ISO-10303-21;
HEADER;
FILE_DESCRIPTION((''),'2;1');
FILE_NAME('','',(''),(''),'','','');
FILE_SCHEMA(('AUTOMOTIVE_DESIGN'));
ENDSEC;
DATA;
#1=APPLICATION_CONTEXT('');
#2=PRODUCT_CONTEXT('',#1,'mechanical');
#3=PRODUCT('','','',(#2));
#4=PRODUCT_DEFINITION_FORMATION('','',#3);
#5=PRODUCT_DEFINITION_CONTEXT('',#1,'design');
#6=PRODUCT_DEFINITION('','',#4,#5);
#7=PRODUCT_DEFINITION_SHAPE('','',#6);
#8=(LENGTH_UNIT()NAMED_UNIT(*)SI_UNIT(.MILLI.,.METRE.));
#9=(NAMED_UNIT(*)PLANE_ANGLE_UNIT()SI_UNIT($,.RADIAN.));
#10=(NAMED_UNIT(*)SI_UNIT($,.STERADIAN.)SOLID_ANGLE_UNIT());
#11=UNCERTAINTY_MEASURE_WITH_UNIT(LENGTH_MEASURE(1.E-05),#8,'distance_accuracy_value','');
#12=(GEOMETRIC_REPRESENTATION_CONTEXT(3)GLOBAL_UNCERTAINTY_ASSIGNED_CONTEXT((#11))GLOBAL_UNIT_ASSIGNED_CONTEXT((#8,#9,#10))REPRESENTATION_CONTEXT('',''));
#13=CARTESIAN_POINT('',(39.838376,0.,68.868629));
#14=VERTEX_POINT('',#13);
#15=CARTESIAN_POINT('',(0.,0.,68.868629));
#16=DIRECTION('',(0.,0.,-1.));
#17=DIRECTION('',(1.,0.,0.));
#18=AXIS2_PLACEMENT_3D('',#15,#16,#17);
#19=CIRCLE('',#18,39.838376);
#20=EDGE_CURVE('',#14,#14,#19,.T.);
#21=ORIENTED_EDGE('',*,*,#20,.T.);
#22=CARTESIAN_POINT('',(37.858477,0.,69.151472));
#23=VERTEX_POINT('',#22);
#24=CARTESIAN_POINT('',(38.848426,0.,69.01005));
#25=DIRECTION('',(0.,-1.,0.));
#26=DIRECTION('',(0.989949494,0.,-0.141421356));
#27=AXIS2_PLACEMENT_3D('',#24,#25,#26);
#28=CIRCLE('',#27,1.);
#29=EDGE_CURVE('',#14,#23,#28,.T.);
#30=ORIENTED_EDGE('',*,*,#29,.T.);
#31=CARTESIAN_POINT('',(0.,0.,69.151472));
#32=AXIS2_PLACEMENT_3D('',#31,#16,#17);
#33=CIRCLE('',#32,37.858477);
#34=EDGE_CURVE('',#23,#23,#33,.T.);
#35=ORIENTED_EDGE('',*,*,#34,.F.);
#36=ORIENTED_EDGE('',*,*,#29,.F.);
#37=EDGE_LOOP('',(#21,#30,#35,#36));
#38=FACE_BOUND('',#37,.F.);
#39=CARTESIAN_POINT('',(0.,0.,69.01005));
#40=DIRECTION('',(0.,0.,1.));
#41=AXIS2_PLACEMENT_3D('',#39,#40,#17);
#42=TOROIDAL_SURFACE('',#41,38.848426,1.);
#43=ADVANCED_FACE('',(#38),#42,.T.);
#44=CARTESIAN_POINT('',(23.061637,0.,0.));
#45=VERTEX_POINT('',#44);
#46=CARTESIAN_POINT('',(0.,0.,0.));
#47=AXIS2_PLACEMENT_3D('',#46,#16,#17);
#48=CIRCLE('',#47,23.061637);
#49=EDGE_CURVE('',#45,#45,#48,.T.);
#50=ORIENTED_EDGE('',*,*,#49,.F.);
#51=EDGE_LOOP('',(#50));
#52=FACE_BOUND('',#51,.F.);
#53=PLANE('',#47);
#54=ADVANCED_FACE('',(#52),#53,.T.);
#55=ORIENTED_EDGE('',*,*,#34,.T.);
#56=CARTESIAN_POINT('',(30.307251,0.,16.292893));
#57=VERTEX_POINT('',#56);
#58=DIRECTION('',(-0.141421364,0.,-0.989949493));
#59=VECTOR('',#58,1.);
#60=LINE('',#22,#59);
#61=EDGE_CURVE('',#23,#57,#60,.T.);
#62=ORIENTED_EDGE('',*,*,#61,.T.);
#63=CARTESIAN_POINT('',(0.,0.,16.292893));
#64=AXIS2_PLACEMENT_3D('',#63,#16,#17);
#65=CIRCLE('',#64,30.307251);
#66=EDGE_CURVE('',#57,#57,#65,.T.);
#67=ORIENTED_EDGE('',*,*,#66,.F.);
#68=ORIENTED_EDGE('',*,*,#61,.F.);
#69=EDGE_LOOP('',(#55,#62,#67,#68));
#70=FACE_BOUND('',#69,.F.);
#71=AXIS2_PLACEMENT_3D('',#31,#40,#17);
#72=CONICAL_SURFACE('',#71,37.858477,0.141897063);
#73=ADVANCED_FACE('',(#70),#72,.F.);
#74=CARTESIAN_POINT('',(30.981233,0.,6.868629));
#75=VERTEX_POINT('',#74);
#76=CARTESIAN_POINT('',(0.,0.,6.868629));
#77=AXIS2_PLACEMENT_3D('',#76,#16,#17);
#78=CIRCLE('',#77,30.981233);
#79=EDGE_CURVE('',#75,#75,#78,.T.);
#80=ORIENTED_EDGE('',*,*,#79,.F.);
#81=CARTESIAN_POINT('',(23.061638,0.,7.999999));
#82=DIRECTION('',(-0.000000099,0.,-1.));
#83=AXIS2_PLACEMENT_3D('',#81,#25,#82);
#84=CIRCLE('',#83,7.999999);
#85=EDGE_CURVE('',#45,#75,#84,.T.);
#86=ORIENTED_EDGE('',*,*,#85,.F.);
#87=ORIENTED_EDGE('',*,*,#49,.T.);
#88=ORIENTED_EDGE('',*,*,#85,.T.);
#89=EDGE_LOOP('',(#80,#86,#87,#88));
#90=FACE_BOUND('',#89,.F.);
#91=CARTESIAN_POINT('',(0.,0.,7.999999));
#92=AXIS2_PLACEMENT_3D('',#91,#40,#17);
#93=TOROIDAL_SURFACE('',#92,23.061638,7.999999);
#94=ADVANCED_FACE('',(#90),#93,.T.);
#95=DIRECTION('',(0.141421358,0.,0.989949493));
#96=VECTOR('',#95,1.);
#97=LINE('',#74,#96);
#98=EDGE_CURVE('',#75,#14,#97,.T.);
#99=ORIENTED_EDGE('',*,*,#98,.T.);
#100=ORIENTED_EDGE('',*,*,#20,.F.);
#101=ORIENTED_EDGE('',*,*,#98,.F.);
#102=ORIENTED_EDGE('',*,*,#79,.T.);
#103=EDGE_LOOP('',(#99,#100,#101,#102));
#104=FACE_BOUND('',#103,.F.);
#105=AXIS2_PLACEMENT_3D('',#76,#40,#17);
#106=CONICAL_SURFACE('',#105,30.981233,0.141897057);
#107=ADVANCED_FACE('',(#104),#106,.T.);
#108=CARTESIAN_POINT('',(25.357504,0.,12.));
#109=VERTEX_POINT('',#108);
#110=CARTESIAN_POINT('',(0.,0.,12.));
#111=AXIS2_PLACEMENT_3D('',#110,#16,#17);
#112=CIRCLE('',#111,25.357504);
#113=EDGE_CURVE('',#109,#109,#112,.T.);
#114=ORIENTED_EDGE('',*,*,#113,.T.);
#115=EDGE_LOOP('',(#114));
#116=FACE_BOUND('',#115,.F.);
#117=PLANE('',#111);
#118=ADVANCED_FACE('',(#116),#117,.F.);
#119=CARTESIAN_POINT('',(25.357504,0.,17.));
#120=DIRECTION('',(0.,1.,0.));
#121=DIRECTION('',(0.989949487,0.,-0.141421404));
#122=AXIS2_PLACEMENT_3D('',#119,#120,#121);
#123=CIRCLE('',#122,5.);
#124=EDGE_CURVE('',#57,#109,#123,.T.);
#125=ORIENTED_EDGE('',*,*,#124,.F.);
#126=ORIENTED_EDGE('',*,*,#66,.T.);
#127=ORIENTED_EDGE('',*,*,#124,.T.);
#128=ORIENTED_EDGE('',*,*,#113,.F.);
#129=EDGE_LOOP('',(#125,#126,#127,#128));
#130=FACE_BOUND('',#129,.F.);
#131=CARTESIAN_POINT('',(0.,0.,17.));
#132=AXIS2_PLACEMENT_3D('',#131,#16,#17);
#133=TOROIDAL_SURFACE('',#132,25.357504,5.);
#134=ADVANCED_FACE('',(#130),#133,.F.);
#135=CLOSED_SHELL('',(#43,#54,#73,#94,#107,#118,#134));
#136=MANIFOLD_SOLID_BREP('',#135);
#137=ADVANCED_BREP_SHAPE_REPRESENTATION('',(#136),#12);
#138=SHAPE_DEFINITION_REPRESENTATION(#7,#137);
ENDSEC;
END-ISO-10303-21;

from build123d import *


with BuildPart() as f1:
    # F0 (on Front) → F1 (revolve)
    with BuildSketch(Plane.XZ):
        with BuildLine():
            Line((0, 12), (0, 0))
            Line((0, 0), (23.061637, 0))
            ThreePointArc((23.061637, 0), (28.303251, 1.956368), (30.981233, 6.868629))
            Line((30.981233, 6.868629), (39.838376, 68.868629))
            ThreePointArc((39.838376, 68.868629), (38.989847, 70), (37.858477, 69.151472))
            Line((37.858477, 69.151472), (30.307251, 16.292893))
            ThreePointArc((30.307251, 16.292893), (28.633512, 13.22273), (25.357504, 12))
            Line((25.357504, 12), (0, 12))
        make_face()
    revolve(axis=Axis((0, 0, 6), (0, 0, -1)))


solid = f1.part
